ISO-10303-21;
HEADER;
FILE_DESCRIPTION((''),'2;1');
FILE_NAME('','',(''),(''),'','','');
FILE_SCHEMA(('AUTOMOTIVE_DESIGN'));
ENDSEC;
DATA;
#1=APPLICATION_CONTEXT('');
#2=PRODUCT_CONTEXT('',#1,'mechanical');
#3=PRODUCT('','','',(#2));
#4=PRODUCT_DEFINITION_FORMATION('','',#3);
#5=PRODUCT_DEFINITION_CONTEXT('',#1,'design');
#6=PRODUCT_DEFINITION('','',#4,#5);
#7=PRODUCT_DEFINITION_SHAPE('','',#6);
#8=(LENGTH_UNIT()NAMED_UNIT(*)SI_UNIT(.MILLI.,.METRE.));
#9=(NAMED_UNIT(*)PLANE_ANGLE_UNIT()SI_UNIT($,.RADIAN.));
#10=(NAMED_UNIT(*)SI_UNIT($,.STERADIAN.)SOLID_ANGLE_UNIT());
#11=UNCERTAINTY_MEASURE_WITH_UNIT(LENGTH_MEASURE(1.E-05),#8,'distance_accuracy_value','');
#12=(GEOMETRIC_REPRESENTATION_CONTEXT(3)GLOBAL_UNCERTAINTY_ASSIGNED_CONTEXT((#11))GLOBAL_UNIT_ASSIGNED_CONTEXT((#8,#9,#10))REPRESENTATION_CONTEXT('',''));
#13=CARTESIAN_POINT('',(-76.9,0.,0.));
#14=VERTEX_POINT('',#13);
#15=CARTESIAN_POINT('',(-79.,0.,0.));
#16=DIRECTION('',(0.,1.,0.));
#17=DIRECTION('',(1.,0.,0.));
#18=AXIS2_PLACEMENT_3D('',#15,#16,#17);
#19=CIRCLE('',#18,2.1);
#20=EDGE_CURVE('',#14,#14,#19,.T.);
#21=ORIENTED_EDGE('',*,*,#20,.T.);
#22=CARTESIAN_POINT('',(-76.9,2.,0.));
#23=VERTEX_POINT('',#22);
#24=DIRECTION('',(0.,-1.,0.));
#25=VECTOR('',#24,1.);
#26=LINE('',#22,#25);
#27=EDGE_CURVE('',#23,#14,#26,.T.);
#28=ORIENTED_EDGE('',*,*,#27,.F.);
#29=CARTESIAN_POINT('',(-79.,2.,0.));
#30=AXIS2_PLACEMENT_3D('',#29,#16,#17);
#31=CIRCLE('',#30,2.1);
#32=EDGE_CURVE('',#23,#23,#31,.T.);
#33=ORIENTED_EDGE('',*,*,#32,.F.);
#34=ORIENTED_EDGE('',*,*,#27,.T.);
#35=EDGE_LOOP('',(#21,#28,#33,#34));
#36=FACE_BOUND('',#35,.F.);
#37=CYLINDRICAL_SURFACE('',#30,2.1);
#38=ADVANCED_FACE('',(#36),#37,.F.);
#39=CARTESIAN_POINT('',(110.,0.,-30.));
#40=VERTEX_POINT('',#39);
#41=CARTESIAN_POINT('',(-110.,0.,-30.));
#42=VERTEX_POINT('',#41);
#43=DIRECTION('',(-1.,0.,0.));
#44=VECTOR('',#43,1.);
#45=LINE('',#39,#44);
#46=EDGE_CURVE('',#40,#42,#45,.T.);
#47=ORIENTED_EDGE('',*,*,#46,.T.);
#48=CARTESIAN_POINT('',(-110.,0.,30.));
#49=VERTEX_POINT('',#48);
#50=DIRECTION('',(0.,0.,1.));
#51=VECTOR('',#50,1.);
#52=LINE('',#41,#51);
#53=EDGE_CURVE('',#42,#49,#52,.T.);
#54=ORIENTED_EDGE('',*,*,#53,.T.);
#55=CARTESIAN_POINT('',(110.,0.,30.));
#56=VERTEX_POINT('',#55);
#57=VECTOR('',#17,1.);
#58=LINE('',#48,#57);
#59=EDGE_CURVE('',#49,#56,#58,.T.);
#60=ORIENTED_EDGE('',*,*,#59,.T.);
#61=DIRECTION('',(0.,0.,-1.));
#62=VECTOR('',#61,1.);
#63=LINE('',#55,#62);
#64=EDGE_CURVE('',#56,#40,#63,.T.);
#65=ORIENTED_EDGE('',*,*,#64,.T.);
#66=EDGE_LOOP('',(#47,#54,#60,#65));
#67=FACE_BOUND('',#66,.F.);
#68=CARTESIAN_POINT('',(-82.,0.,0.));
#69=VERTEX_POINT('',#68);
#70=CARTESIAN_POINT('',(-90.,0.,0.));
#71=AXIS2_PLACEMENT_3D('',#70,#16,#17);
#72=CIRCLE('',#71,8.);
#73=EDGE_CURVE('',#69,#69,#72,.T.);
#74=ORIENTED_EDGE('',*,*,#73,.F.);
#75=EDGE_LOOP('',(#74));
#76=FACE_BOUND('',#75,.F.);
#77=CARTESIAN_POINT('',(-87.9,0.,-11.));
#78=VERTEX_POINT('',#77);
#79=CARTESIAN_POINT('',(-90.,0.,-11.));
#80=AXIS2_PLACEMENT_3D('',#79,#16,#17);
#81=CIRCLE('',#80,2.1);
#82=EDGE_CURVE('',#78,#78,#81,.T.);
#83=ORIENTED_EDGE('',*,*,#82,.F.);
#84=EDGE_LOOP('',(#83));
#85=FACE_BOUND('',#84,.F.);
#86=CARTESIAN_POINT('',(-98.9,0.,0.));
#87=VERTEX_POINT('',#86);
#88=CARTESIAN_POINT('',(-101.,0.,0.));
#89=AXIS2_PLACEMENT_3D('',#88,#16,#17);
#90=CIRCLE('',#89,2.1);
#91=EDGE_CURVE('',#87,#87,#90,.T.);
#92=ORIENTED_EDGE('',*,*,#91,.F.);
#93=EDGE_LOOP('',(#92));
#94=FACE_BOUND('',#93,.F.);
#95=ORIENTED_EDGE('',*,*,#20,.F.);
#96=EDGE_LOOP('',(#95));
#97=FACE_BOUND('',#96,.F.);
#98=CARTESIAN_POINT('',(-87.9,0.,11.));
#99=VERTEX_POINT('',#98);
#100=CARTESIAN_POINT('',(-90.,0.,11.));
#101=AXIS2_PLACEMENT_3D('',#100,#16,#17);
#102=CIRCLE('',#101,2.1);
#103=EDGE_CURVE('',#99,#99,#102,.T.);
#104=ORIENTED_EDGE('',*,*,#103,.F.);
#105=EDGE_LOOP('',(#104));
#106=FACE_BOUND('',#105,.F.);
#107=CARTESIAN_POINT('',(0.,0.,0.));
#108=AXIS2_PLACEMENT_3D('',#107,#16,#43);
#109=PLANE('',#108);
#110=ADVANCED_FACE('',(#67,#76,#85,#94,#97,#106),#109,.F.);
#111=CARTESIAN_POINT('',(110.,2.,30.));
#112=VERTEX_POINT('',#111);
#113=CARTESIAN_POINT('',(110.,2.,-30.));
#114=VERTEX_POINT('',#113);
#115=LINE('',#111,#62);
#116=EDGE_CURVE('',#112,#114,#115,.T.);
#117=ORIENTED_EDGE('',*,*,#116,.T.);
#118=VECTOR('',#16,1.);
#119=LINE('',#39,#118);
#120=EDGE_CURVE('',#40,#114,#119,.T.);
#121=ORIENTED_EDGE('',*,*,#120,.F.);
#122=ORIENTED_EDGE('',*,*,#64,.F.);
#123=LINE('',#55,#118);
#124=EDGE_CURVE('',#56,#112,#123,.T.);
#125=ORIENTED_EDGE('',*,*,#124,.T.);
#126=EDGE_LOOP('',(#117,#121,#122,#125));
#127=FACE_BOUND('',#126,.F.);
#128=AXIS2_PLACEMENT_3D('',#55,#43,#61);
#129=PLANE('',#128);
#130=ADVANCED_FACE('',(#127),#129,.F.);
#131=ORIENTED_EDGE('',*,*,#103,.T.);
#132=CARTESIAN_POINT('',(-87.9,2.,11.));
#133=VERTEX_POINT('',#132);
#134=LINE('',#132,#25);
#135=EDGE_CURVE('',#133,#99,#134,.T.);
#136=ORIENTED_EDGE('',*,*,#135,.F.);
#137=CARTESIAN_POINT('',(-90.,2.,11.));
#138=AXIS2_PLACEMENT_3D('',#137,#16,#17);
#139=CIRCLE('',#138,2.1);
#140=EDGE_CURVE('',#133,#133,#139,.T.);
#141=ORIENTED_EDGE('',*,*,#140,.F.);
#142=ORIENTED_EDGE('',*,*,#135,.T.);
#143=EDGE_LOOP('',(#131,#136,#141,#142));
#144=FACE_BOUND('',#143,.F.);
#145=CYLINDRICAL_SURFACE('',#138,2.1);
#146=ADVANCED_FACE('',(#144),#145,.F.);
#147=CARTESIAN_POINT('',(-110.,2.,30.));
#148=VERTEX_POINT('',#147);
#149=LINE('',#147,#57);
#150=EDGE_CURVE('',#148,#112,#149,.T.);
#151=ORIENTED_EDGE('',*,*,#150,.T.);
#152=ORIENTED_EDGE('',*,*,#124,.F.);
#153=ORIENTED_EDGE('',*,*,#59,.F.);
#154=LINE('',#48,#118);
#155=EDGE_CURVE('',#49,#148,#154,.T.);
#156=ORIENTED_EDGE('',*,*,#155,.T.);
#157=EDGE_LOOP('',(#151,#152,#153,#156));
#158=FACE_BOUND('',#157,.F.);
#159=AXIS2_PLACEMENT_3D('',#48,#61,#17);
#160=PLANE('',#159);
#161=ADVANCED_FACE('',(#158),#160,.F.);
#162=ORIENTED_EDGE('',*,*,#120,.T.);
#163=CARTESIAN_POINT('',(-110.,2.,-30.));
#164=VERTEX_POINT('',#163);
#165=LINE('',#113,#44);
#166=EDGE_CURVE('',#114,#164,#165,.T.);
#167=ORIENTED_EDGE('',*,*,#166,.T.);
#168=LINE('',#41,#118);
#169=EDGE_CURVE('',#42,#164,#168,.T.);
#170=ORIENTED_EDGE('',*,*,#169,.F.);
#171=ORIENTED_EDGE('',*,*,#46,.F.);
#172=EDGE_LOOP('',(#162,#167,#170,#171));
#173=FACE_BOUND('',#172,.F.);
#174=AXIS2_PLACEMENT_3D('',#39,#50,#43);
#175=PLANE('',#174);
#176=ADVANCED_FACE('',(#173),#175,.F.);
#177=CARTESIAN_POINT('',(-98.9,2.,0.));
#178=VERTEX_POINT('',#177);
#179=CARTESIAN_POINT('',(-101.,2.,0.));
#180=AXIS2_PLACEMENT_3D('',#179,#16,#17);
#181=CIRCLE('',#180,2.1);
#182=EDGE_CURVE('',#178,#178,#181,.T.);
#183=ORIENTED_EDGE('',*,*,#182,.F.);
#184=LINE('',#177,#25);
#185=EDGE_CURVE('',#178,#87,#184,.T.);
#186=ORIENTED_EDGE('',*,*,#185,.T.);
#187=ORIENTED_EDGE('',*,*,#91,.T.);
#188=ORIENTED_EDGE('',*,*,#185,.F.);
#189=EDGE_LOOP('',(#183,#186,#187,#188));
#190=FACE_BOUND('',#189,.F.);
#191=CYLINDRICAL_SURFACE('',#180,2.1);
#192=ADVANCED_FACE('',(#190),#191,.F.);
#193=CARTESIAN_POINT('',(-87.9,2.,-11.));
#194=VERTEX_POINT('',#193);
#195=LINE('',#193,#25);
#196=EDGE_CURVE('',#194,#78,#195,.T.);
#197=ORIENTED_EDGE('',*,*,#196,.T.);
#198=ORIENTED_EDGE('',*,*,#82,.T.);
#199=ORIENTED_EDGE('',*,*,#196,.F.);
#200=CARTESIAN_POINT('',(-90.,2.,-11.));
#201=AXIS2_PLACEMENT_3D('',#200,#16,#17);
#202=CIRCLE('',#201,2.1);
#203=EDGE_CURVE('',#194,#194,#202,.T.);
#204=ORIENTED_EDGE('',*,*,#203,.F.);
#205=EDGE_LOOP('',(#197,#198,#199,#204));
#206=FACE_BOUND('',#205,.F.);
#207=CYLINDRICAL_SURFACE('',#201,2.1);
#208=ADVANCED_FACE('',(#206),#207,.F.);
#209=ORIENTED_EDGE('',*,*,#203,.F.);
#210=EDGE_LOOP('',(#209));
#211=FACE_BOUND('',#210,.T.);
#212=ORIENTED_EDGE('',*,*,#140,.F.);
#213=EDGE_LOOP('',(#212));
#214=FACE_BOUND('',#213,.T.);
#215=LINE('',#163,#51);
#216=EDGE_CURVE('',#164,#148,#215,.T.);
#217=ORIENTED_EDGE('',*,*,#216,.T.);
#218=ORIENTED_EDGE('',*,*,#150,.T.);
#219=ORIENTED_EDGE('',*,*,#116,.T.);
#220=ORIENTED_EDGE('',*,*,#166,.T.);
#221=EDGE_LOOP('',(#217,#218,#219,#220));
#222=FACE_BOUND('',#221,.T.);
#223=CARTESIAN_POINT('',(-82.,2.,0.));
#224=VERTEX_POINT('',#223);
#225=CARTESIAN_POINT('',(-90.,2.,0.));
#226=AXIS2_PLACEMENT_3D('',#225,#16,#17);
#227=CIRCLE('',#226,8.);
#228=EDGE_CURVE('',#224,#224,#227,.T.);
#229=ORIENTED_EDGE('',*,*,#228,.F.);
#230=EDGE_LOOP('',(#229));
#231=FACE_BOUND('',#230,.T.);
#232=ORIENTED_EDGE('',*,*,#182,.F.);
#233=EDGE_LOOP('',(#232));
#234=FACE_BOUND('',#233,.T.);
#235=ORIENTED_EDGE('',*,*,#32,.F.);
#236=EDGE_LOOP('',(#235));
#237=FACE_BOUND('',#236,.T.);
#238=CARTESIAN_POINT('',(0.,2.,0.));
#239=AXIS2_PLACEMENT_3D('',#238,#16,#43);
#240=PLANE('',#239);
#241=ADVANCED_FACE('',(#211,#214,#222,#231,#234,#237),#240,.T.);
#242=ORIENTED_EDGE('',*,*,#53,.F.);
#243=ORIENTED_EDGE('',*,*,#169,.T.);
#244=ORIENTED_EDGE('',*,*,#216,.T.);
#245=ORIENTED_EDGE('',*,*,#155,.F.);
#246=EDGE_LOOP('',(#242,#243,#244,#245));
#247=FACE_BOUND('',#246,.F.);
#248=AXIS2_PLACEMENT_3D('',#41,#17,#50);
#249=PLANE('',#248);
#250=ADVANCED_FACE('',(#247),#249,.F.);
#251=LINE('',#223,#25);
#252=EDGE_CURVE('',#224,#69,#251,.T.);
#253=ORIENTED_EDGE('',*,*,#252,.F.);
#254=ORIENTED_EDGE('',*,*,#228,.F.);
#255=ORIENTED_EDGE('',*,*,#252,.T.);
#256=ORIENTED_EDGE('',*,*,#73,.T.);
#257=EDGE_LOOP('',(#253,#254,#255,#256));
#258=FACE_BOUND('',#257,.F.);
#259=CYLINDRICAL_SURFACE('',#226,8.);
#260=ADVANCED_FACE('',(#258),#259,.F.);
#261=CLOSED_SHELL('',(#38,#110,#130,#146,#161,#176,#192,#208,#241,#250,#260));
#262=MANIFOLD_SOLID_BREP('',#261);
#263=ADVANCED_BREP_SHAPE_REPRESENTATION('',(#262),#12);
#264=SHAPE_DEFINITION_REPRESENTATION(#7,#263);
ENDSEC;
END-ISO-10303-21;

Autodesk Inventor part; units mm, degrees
ref_plane "YZ Plane" through (0, 0, 0) normal (1, 0, 0) x (0, 1, 0)
ref_plane "XZ Plane" through (0, 0, 0) normal (0, 1, 0) x (-1, 0, 0)
ref_plane "XY Plane" through (0, 0, 0) normal (0, 0, 1) x (1, 0, 0)
sketch "スケッチ1" plane through (0, 0, 0) normal (0, 1, 0) x (-1, 0, 0)
  line L0 (-110, -30) -> (110, -30)
  line L1 (110, -30) -> (110, 30)
  line L2 (110, 30) -> (-110, 30)
  line L3 (-110, 30) -> (-110, -30)
  line L4 (-110, -30) -> (110, 30) construction
  line L5 (110, -30) -> (-110, 30) construction
  point P0 (0, 0)
  dimension "d0" = 220
  dimension "d1" = 60
extrude "押し出し1" add sketch "スケッチ1" along normal blind 2
sketch "スケッチ2" plane through (0, 2, 0) normal (0, 1, 0) x (1, 0, 0)
  circle A0 centre (-90, 0) radius 8
  circle A1 centre (-101, 0) radius 2.1
  circle A2 centre (-90, 11) radius 2.1
  circle A3 centre (-79, 0) radius 2.1
  circle A4 centre (-90, -11) radius 2.1
  point P0 (0, 0)
  dimension "d4" = 16
  dimension "d5" = 90
  dimension "d7" = 4.2
  dimension "d8" = 4.2
  dimension "d9" = 4.2
  dimension "d10" = 4.2
  dimension "d13" = 11
  dimension "d14" = 11
  dimension "d15" = 11
  dimension "d16" = 11
extrude "押し出し2" cut sketch "スケッチ2" against normal blind 8
properties part number "snap" material "アルミニウム 6061"
